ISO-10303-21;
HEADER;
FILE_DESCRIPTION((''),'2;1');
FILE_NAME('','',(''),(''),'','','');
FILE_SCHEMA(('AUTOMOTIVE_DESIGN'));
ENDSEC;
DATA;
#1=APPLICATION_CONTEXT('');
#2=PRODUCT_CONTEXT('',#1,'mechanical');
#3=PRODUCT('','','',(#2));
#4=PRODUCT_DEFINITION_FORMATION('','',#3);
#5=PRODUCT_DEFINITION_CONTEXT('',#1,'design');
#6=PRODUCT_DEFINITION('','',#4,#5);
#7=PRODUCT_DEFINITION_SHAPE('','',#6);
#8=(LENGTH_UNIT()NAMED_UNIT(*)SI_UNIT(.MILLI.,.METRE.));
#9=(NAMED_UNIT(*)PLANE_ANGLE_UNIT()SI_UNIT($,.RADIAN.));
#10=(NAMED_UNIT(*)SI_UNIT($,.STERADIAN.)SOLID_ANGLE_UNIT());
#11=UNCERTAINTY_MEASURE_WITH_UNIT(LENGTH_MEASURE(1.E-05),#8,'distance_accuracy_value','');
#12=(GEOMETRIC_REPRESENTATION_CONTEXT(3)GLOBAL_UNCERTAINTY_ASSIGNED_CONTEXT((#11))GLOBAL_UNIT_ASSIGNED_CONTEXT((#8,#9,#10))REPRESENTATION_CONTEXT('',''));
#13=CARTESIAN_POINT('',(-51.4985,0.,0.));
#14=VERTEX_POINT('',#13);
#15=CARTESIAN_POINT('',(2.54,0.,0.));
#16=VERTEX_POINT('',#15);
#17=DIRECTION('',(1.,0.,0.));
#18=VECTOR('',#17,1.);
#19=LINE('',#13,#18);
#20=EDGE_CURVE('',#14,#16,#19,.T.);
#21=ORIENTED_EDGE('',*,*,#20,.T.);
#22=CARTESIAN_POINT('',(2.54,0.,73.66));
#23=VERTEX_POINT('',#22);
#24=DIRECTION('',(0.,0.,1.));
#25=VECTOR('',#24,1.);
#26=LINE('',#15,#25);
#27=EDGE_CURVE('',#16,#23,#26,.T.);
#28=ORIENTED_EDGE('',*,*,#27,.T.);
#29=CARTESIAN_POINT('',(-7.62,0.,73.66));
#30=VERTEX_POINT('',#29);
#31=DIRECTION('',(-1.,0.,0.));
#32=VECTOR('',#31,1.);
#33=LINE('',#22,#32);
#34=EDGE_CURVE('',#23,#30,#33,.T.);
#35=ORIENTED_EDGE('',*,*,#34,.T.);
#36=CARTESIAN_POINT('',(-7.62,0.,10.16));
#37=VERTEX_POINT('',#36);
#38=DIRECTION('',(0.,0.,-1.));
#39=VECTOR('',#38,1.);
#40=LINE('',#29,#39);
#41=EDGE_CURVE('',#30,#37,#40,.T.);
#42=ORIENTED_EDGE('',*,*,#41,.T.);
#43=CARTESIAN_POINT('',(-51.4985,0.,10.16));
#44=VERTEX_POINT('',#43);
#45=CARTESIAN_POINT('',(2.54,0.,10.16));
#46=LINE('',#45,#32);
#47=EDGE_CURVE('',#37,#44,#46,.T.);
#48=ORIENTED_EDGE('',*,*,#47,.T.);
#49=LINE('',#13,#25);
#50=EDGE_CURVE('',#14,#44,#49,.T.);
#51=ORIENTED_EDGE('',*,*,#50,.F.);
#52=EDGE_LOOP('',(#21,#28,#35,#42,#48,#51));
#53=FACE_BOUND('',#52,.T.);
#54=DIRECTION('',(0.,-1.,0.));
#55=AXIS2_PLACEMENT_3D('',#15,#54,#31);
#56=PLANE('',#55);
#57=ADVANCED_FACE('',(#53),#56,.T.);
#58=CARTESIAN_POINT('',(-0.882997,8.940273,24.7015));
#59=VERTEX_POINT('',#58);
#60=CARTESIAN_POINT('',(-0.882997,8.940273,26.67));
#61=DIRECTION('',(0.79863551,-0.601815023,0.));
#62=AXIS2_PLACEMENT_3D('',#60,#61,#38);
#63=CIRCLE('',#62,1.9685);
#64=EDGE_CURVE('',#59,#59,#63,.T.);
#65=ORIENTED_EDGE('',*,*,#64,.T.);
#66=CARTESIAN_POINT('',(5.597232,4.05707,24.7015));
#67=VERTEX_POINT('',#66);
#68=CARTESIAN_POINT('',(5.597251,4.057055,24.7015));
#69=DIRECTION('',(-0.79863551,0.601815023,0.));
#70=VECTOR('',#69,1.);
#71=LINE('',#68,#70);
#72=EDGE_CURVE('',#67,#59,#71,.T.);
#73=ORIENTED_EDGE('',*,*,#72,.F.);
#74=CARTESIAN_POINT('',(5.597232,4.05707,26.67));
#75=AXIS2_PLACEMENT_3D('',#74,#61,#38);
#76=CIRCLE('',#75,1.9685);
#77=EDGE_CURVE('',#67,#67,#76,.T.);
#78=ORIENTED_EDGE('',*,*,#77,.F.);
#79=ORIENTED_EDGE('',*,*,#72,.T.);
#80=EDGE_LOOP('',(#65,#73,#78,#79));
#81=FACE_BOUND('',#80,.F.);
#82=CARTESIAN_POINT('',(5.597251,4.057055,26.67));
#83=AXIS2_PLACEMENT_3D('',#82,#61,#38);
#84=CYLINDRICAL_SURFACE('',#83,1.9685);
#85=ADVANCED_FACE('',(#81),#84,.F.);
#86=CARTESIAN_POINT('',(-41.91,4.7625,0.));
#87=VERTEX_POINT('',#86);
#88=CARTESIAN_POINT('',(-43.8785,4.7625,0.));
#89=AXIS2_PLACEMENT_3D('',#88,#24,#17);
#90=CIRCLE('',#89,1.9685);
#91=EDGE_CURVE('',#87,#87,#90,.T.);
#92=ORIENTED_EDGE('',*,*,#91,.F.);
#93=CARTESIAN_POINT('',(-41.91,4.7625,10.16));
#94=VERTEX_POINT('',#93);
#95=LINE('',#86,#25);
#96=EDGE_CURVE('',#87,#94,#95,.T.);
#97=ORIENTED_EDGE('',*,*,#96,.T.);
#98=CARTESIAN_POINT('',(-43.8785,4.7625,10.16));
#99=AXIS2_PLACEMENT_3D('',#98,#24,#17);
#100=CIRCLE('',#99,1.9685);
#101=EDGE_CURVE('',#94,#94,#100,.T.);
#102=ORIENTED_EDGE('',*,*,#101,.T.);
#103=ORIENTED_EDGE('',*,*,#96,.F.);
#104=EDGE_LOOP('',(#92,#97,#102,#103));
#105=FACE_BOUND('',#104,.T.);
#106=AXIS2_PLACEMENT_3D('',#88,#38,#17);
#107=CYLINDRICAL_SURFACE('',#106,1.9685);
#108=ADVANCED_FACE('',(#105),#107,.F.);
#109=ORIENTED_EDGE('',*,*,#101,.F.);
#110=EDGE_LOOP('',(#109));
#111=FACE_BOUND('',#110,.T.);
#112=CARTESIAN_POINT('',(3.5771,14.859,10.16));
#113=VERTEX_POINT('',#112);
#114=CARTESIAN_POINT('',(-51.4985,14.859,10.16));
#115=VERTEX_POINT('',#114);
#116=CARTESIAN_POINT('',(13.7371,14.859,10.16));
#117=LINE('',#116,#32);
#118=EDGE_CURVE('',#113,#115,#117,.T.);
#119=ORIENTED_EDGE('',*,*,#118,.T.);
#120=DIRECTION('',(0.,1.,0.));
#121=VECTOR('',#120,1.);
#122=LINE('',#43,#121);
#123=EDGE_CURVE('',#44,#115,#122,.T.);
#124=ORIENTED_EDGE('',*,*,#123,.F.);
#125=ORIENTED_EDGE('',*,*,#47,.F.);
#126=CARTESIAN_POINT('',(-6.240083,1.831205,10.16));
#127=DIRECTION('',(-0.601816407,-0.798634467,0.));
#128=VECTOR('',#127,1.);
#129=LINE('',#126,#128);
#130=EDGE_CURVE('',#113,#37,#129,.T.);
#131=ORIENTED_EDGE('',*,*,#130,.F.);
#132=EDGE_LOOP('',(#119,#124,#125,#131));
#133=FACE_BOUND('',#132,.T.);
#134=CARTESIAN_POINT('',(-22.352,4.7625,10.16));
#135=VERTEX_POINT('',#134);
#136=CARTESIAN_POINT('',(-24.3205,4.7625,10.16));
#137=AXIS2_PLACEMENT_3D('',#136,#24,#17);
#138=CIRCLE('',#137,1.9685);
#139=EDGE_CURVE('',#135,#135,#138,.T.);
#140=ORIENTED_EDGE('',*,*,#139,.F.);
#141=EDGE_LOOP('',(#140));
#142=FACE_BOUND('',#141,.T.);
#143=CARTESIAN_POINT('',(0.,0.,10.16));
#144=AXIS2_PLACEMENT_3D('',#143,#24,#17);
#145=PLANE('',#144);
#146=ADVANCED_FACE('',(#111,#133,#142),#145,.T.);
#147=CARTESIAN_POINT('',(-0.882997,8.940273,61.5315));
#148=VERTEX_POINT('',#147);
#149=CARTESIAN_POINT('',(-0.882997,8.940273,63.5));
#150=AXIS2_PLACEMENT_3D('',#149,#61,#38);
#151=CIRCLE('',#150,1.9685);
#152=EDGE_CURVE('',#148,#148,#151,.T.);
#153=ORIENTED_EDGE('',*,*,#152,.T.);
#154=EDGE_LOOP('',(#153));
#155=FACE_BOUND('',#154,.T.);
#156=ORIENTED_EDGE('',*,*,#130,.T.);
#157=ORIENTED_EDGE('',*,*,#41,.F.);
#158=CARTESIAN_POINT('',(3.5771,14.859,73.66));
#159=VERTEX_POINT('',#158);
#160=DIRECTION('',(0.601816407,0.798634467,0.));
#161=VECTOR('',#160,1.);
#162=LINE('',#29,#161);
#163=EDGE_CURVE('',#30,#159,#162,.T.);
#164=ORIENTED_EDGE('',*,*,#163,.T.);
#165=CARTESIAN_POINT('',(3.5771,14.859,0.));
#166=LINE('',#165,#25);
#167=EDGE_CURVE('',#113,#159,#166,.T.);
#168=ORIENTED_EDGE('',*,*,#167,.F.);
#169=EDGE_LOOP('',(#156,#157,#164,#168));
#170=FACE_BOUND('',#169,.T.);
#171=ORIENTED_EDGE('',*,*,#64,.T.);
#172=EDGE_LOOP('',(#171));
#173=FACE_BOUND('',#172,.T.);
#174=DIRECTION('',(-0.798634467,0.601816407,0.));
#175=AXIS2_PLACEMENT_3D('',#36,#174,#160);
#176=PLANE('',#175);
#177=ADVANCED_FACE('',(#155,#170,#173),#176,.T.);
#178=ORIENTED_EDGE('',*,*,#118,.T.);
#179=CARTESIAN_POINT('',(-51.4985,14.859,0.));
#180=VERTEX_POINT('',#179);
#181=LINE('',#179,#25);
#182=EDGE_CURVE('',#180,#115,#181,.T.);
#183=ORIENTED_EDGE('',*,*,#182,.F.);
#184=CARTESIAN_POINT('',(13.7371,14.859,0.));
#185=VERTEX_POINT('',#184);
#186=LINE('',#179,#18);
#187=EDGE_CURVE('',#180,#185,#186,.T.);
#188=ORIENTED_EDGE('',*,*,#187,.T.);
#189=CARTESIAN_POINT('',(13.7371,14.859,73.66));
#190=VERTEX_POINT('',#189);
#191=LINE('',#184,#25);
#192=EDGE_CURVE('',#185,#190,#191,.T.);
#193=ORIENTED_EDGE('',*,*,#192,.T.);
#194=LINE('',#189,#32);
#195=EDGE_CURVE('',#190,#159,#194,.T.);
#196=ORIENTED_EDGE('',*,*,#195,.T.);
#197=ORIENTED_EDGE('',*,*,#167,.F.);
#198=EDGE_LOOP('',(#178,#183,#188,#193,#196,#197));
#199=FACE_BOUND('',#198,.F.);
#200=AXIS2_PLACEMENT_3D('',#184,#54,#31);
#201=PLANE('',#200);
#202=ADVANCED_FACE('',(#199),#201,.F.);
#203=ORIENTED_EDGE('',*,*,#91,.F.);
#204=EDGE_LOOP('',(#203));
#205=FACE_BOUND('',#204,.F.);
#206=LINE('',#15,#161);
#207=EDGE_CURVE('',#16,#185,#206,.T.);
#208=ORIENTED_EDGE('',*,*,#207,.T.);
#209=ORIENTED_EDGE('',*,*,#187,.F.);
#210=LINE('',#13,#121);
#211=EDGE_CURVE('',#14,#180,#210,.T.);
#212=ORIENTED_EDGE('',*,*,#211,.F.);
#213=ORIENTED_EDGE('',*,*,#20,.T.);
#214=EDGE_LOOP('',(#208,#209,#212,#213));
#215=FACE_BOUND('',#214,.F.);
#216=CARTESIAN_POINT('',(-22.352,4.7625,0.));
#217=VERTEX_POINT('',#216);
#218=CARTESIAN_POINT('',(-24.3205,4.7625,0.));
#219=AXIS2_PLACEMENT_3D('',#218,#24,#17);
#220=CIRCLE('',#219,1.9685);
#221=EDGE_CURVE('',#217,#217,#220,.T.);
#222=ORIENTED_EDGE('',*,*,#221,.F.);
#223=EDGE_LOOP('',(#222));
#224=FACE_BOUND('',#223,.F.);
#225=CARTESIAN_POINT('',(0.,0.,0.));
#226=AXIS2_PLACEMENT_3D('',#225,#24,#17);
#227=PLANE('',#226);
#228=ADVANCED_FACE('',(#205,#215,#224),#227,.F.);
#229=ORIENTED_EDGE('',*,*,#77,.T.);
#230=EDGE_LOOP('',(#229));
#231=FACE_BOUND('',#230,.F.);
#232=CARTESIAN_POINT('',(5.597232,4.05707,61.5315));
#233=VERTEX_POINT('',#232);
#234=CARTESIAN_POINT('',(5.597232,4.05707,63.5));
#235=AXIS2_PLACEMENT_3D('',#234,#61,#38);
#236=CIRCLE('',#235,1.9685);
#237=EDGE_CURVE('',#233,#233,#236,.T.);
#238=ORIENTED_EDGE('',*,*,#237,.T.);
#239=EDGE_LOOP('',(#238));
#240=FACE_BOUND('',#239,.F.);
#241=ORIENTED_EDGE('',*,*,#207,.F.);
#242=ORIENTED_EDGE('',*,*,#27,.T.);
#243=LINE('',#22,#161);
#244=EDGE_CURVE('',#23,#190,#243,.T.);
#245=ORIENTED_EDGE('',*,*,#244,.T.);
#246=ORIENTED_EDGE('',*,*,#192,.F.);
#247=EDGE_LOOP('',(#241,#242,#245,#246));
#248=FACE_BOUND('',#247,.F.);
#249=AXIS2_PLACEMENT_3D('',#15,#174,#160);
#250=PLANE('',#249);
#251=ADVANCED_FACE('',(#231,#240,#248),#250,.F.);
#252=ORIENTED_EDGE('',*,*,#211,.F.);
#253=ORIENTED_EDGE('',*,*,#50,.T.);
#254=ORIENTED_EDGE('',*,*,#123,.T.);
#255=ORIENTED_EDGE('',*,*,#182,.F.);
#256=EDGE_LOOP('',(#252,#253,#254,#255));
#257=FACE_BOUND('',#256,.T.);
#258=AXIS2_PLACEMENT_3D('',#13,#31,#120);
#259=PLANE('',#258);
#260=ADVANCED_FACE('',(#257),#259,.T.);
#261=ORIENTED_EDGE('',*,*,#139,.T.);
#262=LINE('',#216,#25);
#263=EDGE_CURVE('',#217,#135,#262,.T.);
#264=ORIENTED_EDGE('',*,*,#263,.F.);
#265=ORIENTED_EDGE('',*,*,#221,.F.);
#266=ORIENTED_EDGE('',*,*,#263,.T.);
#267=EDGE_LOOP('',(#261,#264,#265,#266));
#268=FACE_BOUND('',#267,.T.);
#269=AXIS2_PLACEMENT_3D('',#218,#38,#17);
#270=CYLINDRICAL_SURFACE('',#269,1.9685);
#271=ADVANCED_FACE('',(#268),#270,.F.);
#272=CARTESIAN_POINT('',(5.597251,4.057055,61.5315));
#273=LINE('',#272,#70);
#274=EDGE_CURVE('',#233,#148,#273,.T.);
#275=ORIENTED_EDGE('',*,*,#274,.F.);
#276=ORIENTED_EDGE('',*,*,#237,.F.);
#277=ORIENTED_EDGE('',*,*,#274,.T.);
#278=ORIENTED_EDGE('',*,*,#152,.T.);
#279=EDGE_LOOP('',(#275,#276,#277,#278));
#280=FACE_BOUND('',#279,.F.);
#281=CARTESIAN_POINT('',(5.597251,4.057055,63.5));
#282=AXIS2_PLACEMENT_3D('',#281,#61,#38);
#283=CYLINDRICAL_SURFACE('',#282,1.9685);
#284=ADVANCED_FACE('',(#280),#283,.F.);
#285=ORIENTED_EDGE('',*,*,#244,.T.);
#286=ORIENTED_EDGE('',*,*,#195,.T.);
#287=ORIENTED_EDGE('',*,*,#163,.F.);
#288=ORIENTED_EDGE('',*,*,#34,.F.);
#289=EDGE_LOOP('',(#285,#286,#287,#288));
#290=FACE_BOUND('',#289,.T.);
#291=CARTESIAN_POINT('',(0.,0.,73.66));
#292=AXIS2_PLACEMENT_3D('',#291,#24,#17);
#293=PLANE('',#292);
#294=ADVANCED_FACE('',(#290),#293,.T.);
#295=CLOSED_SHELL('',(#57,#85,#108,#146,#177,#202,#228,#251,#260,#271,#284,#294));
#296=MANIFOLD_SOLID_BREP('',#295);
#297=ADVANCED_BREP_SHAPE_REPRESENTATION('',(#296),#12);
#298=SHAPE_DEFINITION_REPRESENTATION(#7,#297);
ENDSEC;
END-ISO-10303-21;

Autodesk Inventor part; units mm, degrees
ref_plane "YZ Plane" through (0, 0, 0) normal (1, 0, 0) x (0, 1, 0)
ref_plane "XZ Plane" through (0, 0, 0) normal (0, 1, 0) x (-1, 0, 0)
ref_plane "Work Plane1" through (0, 0, 0) normal (0, 0, 1) x (1, 0, 0)
sketch "Sketch1" plane through (0, 0, 0) normal (0, 0, 1) x (1, 0, 0)
  line L0 (0, 14.859) -> (-322.453, 14.859) construction
  line L1 (-0.635, 0) -> (-321.818, 0) construction
  line L2 (0, 14.859) -> (0, 0.635) construction
  line L3 (2.54, 14.859) -> (2.54, 0) construction
  line L4 (2.54, 14.859) -> (17.399, 14.859) construction
  line L5 (2.54, 0) -> (-51.4985, 0)
  line L6 (13.7371, 14.859) -> (-30.6705, 14.859) construction
  circle A0 centre (-4.7625, 4.7625) radius 1.778 construction
  line L7 (-7.62, 0) -> (-7.62, 14.859) construction
  circle A1 centre (-24.3205, 4.7625) radius 1.778 construction
  circle A2 centre (-43.8785, 4.7625) radius 1.778 construction
  circle A3 centre (-24.3205, 4.7625) radius 1.9685
  circle A4 centre (-43.8785, 4.7625) radius 1.9685
  line L8 (-51.4985, 0) -> (-51.4985, 14.859)
  circle A5 centre (-24.3205, 4.7625) radius 4.8768 construction
  circle A6 centre (-43.8785, 4.7625) radius 4.8768 construction
  line L9 (13.7371, 14.859) -> (-51.4985, 14.859)
  line L10 (2.54, 0) -> (13.7371, 14.859)
  line L11 (2.54, 0) -> (21.1455, 0) construction
  point P0 (0, 0)
  dimension "d1" = 2.54
  dimension "d7" = 10.16
  dimension "d9" = 3.937
  dimension "d10" = 3.937
  dimension "d11" = 7.62
  dimension "d12" = 9.7536
  dimension "d13" = 9.7536
  dimension "d46" = 53
extrude "Extrusion1" add sketch "Sketch1" along normal blind 10.16
sketch "Sketch2" plane through (0, 0, 10.16) normal (0, 0, 1) x (1, 0, 0)
  circle A0 centre (-24.3205, 4.7625) radius 1.9685 construction
  circle A1 centre (-43.8785, 4.7625) radius 1.9685 construction
  line L0 (13.7371, 14.859) -> (-51.4985, 14.859) projected
  line L1 (2.54, 0) -> (-7.62, 0)
  line L2 (3.5771, 14.859) -> (13.7371, 14.859)
  line L3 (2.54, 0) -> (13.7371, 14.859)
  line L4 (2.54, 0) -> (24.4372, 0) construction
  line L5 (-7.62, 0) -> (3.5771, 14.859)
  line L6 (-7.62, 0) -> (10.9855, 0) construction
  point P0 (0, 0)
  point P1 (2.54, 14.859)
  dimension "d35" = 53
  dimension "d45" = 53
extrude "Extrusion2" add sketch "Sketch2" along normal blind 63.5 and the other way blind 10.16
sketch "Sketch4" plane through (0, 0, 10.16) normal (0, 0, 1) x (1, 0, 0)
  circle A0 centre (-24.3205, 4.7625) radius 1.9685 construction
  circle A1 centre (-24.3205, 4.7625) radius 4.8768 construction
  point P0 (0, 0)
  dimension "d25" = 9.7536
sketch "Sketch7" plane through (13.7371, 14.859, 73.66) normal (0.7986, -0.6018, 0) x (0, 0, -1)
  line L0 (0, -18.6055) -> (0, 0) construction
  line L1 (0, -13.5255) -> (73.66, -13.5255) construction
  line L2 (73.66, -39.2597) -> (73.66, 0) construction
  line L3 (73.66, -18.6055) -> (0, -18.6055) construction
  circle A0 centre (10.16, -13.5255) radius 1.9685
  line L4 (73.66, -18.6055) -> (73.66, -51.1267) projected
  circle A1 centre (46.99, -13.5255) radius 1.9685
  point P0 (73.66, -20.1341)
  dimension "d38" = 5.08
  dimension "d39" = 3.937
  dimension "d40" = 63.5
  dimension "d41" = 3.937
  dimension "d42" = 26.67
extrude "Extrusion5" cut sketch "Sketch7" against normal through all
properties part number "Delivery bin right angle connector"
